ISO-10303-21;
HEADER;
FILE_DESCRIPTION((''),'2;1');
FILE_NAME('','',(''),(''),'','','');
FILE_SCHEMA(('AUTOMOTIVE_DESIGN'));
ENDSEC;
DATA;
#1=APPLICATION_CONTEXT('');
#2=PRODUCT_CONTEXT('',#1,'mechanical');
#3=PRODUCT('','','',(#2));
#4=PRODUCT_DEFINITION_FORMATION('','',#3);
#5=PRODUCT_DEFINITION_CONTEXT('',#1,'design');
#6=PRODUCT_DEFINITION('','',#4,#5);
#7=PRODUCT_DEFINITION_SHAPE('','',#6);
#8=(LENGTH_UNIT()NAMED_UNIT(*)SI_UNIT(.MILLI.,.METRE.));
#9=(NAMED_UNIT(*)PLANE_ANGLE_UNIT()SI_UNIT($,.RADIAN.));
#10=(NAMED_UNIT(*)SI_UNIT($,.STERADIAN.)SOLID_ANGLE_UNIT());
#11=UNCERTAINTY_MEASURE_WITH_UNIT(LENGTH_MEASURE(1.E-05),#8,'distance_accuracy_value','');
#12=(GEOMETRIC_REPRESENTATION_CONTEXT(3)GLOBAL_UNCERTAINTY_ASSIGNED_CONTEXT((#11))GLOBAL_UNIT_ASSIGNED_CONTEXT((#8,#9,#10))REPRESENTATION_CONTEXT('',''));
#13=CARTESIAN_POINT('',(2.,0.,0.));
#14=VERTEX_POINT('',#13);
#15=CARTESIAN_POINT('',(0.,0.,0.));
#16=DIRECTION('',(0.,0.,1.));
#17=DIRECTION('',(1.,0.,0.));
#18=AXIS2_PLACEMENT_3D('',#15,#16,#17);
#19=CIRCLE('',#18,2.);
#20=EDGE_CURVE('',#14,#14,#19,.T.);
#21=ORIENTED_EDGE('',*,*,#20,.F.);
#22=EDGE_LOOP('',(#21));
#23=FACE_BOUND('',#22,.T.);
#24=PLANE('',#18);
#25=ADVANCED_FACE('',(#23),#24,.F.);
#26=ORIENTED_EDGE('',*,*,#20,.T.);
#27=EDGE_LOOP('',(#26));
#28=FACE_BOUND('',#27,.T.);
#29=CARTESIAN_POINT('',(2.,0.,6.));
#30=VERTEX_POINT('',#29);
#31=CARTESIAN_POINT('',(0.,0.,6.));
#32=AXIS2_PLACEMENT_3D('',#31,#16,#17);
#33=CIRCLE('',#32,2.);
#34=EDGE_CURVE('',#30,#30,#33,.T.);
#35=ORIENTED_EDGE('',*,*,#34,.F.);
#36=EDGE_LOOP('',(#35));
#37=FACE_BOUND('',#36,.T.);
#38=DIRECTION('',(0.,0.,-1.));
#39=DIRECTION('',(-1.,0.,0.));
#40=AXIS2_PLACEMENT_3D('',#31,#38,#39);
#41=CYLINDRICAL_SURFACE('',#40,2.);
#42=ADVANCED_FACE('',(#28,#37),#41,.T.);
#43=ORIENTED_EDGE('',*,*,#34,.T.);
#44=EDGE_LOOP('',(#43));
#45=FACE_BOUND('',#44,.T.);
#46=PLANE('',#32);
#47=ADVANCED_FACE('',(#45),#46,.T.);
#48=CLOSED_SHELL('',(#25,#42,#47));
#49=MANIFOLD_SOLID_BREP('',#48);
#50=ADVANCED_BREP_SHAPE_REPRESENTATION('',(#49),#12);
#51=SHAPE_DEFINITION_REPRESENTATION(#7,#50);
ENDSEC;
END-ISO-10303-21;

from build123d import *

# Parameters (mm, degrees)
SKETCH1_R           = 2
BOSS_EXTRUDE1_DEPTH = 6


with BuildPart() as part:
    # Sketch1 → Boss-Extrude1 (new body)
    with BuildSketch(Plane.XY):
        Circle(SKETCH1_R)
    extrude(amount=BOSS_EXTRUDE1_DEPTH)


solid = part.part
